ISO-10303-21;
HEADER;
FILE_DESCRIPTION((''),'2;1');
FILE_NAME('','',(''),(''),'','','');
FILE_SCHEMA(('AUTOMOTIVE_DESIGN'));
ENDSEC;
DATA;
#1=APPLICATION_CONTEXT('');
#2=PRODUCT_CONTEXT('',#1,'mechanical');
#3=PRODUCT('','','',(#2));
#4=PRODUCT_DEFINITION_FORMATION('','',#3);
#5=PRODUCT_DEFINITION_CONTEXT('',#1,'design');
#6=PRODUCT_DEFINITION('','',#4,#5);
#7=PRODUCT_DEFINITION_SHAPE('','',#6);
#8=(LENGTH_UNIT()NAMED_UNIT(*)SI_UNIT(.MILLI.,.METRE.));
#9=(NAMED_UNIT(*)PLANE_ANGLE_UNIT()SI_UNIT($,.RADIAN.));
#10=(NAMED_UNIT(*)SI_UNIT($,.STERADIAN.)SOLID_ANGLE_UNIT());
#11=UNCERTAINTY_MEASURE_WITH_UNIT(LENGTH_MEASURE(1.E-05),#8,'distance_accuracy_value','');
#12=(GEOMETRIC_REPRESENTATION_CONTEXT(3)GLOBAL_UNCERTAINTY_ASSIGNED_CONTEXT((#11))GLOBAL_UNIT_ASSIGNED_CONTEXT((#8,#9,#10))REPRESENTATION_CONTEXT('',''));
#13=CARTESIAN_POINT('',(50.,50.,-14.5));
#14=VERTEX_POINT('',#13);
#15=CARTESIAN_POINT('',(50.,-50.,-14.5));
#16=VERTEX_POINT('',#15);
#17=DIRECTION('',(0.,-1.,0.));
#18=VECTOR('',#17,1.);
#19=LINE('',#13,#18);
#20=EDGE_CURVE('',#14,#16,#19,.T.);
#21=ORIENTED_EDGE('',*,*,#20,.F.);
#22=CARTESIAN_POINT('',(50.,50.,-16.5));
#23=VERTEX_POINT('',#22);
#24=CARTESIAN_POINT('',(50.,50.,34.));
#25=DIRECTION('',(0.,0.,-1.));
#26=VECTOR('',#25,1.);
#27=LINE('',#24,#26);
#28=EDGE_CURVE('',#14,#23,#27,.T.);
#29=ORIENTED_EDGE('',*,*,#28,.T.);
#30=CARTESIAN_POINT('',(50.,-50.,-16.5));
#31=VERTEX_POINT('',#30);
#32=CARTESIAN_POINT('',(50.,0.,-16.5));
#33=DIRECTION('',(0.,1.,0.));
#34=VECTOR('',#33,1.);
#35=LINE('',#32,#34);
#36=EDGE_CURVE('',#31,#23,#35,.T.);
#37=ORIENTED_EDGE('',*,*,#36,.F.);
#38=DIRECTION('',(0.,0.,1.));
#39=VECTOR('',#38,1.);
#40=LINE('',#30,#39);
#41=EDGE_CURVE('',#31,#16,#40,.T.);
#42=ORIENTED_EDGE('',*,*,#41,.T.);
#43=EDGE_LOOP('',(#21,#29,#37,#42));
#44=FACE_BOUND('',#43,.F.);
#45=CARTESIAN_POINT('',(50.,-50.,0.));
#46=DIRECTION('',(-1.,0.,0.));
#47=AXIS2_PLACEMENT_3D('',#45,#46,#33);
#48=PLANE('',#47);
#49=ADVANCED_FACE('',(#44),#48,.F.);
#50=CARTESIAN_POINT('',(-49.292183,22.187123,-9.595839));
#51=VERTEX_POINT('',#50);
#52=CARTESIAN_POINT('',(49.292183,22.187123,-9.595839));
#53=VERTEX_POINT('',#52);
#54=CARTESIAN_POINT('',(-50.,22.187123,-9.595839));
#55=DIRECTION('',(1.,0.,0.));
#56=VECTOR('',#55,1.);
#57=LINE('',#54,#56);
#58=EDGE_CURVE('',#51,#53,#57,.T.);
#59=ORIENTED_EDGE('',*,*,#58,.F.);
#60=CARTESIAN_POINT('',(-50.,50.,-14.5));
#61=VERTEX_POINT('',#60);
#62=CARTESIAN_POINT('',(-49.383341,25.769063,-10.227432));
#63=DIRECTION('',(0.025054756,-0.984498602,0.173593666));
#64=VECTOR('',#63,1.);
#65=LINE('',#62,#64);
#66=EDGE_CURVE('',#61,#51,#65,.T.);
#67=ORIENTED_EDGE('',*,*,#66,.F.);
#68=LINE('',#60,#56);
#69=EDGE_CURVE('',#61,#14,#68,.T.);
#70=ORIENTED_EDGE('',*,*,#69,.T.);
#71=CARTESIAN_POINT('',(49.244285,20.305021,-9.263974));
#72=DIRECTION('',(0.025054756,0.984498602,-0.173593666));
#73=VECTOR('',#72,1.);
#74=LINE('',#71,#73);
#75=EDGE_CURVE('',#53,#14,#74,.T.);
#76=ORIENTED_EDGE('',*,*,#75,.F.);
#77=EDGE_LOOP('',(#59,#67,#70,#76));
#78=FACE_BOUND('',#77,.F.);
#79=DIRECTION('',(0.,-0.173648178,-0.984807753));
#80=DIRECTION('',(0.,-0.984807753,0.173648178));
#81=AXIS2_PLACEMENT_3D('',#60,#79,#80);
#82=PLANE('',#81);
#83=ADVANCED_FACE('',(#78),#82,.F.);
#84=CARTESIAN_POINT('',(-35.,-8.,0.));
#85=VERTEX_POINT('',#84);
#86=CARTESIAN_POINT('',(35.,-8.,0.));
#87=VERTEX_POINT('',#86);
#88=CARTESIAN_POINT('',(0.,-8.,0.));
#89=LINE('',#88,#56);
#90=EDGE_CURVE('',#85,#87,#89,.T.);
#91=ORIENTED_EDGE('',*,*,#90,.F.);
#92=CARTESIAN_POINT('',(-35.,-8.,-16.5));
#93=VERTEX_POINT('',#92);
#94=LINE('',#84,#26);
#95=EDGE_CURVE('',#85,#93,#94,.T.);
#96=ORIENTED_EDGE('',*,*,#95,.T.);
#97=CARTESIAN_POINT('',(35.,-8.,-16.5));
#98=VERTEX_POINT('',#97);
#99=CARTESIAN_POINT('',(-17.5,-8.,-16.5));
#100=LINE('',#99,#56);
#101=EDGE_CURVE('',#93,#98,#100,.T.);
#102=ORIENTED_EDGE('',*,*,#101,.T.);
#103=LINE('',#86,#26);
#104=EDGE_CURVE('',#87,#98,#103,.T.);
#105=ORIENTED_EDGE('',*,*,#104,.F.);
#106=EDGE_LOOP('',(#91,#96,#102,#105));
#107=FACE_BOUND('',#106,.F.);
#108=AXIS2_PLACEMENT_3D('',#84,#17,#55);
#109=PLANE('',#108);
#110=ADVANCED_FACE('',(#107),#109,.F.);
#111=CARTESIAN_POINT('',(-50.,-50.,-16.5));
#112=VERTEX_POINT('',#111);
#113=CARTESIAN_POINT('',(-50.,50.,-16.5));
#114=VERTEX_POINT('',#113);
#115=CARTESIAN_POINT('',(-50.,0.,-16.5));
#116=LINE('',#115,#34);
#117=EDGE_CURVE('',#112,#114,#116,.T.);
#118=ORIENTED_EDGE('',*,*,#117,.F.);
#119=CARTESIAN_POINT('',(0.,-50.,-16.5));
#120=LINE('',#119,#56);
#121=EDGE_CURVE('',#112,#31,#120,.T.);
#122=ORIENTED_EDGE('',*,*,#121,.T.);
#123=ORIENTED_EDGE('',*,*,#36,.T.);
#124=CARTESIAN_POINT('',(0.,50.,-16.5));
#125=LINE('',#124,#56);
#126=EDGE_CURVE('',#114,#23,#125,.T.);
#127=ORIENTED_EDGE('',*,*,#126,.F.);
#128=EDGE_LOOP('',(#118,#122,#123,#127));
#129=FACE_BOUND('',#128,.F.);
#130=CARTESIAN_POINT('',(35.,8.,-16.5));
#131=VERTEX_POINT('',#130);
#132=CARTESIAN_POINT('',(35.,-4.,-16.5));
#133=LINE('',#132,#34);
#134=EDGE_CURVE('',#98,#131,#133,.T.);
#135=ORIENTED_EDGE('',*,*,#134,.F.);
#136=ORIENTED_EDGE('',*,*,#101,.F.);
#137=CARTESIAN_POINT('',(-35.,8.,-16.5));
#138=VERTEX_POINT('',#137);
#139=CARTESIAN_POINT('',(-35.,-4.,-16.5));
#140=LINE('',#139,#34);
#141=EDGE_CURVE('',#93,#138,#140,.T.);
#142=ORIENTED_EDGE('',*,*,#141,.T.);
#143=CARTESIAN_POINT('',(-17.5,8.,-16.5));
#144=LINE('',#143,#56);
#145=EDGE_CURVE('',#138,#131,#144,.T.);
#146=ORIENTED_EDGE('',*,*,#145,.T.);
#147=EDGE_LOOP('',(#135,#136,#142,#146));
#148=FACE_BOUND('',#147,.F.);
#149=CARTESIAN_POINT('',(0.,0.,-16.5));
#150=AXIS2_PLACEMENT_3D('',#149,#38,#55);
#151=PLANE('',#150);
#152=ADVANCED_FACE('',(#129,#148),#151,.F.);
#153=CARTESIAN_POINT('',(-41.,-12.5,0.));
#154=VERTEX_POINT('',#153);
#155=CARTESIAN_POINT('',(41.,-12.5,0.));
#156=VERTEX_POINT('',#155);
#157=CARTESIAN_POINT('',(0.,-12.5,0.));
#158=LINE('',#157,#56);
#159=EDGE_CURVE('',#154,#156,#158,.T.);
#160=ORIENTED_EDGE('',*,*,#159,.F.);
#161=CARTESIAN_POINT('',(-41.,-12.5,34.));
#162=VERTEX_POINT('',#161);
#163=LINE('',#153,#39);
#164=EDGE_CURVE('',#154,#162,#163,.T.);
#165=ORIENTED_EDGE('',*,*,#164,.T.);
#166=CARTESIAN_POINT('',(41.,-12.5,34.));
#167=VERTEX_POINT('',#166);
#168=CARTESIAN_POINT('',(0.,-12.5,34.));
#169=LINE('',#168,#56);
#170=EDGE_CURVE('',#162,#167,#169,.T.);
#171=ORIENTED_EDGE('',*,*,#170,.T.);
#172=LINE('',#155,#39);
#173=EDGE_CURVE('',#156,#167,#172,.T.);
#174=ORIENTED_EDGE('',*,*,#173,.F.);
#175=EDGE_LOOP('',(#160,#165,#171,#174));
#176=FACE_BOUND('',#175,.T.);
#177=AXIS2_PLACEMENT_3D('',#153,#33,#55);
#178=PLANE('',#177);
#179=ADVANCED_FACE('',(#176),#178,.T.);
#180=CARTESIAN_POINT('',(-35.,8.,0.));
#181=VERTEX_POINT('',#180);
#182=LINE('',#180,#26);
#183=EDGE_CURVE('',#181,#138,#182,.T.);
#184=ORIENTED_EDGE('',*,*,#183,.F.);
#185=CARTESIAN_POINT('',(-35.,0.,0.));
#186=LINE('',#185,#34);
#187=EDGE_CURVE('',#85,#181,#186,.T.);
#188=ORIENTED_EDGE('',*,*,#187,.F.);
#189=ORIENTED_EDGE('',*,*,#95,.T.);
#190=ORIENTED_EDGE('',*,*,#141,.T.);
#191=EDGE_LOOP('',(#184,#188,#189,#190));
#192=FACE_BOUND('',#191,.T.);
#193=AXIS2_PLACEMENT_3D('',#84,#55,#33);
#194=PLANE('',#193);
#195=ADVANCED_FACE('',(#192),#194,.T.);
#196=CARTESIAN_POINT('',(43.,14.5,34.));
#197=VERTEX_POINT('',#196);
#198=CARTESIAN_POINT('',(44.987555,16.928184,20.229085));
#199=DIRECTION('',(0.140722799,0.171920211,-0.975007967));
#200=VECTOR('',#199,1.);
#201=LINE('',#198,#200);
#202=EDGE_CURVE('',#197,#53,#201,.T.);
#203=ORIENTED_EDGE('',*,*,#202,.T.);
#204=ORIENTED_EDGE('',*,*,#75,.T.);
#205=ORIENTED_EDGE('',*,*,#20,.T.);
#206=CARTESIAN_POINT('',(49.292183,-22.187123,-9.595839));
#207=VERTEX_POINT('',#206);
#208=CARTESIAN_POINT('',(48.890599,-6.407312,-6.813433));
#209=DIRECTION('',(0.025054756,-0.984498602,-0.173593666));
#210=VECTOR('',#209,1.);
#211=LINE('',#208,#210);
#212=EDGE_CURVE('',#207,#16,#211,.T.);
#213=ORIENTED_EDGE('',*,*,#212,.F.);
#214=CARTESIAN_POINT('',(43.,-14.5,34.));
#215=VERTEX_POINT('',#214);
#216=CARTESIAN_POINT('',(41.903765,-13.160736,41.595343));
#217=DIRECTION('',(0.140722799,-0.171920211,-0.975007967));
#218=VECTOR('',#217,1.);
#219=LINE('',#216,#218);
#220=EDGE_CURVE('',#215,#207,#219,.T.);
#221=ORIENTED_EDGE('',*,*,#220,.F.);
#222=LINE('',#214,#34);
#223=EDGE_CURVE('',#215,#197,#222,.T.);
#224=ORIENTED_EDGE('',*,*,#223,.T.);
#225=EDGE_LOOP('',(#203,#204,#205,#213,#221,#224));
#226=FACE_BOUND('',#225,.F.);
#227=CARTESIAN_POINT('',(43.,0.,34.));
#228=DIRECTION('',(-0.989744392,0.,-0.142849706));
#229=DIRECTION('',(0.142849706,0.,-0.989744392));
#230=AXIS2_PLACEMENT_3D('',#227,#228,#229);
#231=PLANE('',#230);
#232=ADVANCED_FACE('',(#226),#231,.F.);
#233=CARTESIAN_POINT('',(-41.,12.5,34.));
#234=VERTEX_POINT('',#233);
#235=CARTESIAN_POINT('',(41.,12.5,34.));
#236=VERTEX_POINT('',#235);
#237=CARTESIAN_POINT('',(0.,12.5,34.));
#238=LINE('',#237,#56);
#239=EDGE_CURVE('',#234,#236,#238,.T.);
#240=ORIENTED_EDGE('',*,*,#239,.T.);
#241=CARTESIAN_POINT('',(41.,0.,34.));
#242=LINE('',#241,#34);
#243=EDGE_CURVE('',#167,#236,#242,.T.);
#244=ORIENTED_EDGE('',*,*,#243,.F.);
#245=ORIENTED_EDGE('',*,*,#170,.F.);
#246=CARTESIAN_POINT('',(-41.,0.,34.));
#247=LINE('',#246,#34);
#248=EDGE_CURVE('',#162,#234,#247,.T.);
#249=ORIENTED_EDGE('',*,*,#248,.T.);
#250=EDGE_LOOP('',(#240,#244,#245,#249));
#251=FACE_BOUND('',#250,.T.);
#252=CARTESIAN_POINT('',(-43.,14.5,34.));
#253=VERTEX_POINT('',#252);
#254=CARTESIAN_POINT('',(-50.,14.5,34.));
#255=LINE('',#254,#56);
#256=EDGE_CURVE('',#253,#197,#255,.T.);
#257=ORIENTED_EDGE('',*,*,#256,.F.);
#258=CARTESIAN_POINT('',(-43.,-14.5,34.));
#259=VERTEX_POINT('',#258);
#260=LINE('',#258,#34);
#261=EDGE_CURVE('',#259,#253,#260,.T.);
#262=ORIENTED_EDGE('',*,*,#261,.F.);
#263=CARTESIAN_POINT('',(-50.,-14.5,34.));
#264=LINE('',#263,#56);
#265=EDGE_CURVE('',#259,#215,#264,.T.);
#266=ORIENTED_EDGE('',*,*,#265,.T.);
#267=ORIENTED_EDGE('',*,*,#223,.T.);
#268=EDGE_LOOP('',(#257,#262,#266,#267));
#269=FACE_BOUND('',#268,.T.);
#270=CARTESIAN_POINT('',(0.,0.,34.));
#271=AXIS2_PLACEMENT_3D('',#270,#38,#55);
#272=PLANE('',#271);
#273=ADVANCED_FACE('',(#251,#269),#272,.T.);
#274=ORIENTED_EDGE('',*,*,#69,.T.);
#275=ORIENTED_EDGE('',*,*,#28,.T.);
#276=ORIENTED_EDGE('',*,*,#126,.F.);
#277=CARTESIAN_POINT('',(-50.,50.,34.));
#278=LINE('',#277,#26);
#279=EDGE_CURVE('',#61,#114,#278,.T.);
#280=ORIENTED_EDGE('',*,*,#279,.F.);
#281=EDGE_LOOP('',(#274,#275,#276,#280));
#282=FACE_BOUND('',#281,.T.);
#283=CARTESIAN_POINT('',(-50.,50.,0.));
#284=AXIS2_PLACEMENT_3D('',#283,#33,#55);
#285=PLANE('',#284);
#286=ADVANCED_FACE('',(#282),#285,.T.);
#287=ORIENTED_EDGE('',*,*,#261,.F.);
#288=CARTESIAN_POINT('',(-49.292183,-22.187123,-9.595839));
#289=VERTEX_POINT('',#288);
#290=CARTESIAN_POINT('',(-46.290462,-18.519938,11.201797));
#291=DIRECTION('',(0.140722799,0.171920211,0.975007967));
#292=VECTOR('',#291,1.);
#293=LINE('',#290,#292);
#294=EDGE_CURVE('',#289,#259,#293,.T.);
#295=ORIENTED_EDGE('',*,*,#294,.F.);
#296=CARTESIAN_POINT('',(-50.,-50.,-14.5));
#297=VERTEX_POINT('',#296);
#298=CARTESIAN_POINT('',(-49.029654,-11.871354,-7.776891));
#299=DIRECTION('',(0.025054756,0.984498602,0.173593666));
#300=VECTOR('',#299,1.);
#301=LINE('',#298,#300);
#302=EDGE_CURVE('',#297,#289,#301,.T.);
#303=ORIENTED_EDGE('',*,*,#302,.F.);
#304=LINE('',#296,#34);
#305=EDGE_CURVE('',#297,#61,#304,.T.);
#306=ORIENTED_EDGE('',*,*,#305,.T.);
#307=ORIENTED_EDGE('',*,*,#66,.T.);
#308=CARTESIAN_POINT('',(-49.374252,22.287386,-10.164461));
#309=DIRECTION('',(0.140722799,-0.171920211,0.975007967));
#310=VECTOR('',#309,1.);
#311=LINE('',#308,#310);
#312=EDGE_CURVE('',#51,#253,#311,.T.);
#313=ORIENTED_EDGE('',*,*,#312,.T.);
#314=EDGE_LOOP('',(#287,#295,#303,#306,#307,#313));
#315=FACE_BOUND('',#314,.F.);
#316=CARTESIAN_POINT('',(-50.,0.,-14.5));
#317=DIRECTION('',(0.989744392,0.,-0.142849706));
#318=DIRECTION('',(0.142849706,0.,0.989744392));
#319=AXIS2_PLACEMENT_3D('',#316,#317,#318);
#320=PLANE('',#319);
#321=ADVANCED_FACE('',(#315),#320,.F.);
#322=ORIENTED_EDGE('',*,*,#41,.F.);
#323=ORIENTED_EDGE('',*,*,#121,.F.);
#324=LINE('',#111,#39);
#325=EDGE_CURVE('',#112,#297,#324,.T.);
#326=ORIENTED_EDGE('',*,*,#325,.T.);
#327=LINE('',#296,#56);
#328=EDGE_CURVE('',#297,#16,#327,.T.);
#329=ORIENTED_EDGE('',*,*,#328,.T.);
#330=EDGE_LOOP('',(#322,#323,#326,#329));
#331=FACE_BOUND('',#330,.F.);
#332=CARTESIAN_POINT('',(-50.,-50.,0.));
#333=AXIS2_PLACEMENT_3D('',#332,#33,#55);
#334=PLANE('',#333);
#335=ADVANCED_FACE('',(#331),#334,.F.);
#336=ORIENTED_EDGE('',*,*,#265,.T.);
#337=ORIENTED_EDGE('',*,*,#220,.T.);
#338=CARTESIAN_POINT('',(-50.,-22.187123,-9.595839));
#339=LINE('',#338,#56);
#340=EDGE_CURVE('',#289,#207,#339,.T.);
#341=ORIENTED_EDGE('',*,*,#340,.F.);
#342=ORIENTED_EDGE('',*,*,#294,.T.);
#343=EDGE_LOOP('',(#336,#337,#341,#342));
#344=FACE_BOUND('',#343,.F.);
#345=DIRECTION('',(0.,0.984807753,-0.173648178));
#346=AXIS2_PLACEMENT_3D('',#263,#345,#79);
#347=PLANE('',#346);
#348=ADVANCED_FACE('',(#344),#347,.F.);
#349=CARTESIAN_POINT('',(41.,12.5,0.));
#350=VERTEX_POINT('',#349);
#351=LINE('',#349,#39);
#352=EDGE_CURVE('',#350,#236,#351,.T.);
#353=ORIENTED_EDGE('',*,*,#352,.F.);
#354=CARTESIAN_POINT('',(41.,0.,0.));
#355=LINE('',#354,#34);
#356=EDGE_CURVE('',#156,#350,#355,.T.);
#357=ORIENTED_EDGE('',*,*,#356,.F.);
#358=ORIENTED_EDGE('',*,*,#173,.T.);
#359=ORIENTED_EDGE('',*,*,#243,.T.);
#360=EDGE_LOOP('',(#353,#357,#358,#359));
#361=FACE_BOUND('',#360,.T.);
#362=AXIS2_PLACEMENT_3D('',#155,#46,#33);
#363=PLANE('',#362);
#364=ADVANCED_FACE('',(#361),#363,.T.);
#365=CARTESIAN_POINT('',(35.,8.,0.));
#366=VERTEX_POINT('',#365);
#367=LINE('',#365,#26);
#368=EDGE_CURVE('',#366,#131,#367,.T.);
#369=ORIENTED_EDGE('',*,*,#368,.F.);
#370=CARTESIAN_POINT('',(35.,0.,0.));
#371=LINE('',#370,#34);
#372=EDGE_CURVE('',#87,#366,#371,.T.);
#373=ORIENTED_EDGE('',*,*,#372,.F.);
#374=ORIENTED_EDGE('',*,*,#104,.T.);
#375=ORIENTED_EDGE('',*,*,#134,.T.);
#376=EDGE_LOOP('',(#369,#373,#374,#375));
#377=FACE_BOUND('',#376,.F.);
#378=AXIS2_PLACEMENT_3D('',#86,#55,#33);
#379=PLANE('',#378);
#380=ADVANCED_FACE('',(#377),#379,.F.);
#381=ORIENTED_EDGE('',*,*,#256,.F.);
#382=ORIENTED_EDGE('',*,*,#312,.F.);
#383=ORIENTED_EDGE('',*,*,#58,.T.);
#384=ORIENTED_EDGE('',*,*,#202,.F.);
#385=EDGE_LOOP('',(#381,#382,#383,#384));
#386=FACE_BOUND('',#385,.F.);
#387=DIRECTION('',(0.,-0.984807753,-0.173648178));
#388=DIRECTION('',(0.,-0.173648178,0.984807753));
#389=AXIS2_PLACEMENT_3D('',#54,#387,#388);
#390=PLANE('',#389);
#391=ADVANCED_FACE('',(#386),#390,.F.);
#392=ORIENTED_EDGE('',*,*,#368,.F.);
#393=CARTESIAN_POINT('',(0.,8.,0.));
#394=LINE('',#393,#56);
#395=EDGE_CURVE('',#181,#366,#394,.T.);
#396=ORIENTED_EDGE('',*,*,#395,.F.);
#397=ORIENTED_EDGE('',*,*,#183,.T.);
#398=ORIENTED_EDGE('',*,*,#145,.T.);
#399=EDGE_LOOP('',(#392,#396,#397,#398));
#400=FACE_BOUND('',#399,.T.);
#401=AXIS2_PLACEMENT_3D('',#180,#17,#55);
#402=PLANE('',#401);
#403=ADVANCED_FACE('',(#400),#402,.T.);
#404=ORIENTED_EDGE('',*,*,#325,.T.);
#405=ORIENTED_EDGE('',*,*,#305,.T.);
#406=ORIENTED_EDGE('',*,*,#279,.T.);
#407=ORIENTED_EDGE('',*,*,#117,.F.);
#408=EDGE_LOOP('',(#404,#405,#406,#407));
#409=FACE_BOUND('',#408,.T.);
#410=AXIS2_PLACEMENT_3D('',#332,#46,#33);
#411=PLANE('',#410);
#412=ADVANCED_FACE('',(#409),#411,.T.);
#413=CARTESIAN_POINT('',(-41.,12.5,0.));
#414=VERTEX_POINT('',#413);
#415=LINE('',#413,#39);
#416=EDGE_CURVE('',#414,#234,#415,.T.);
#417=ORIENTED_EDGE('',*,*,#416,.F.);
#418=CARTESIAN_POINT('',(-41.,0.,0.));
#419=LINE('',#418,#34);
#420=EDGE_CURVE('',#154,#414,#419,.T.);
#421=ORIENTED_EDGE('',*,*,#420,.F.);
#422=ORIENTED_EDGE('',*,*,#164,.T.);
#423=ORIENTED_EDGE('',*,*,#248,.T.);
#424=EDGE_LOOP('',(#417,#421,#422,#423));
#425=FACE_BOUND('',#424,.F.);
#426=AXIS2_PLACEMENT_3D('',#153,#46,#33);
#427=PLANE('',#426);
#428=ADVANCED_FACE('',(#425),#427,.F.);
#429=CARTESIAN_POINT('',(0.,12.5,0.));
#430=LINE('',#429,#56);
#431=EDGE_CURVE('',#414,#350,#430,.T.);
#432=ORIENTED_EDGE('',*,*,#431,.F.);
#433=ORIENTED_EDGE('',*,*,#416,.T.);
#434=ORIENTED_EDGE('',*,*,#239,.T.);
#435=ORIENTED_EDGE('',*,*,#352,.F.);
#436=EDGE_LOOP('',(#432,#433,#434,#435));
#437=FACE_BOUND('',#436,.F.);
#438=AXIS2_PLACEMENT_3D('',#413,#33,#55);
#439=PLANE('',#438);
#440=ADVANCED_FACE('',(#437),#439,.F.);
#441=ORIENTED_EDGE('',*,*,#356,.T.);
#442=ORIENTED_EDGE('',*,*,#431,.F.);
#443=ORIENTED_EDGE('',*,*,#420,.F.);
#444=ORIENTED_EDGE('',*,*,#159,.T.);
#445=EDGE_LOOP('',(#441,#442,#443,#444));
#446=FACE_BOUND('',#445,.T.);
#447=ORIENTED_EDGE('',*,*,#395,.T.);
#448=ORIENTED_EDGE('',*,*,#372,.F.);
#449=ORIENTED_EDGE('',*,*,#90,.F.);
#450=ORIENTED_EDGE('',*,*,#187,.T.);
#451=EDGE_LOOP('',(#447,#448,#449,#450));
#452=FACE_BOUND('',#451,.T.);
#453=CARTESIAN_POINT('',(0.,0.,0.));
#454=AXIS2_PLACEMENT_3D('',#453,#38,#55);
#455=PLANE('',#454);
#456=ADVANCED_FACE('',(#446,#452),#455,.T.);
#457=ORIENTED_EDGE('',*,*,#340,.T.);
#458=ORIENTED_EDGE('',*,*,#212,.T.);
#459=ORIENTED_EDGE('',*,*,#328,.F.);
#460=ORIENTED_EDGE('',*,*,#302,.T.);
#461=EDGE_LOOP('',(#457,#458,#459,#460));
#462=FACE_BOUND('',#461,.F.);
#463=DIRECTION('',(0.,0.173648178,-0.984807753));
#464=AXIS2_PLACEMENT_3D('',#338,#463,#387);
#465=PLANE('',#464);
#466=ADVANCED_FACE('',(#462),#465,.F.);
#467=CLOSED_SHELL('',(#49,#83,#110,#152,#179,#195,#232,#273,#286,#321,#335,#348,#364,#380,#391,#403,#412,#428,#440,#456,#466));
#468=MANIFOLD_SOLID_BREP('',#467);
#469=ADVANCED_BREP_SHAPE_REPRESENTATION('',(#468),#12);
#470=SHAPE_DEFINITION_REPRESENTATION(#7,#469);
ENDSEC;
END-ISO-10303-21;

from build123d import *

# Parameters (mm, degrees)
F0_W          = 100
F0_H          = 100
F0_W_2        = 82
F0_H_2        = 25
F1_DEPTH      = 16.5
F2_DEPTH      = 34
F4_DEPTH      = 100.001
F6_DEPTH      = 50.001
F6_DEPTH_BACK = 50.001
F7_W          = 70
F7_H          = 16
F8_DEPTH      = 16.501


with BuildPart() as f1:
    # F0 (on Top) → F1 (new body)
    with BuildSketch(Plane.XY):
        Rectangle(F0_W, F0_H)
        Rectangle(F0_W_2, F0_H_2, mode=Mode.SUBTRACT)
        Rectangle(F0_W_2, F0_H_2)
    extrude(amount=-F1_DEPTH)

    # F0 (on Top) → F2 (join)
    with BuildSketch(Plane.XY):
        Rectangle(F0_W, F0_H)
        Rectangle(F0_W_2, F0_H_2, mode=Mode.SUBTRACT)
    extrude(amount=F2_DEPTH)

    # F3 (on face) → F4 (cut, through all)
    with BuildSketch(Plane(origin=(-50, 0, 0), x_dir=(0, -1, 0), z_dir=(-1, 0, 0))):
        Polygon((50, 34), (14.5, 34), (22.1871227195, -9.5958393243), (50, -14.5), align=None)
        Polygon((-22.1871227195, -9.5958393243), (-14.5, 34), (-50, 34), (-50, -14.5), align=None)
    extrude(amount=-F4_DEPTH, mode=Mode.SUBTRACT)

    # F5 (on Front) → F6 (cut, two sides)
    with BuildSketch(Plane.XZ) as f6_sk:
        Polygon((-50, -14.5), (-43, 34), (-50, 34), align=None)
        Polygon((50, 34), (43, 34), (50, -14.5), align=None)
    extrude(amount=-F6_DEPTH, mode=Mode.SUBTRACT)
    extrude(f6_sk.sketch, amount=F6_DEPTH_BACK, mode=Mode.SUBTRACT)

    # F7 (on face) → F8 (cut, through all)
    with BuildSketch(Plane.XY):
        Rectangle(F7_W, F7_H)
    extrude(amount=-F8_DEPTH, mode=Mode.SUBTRACT)


solid = f1.part
